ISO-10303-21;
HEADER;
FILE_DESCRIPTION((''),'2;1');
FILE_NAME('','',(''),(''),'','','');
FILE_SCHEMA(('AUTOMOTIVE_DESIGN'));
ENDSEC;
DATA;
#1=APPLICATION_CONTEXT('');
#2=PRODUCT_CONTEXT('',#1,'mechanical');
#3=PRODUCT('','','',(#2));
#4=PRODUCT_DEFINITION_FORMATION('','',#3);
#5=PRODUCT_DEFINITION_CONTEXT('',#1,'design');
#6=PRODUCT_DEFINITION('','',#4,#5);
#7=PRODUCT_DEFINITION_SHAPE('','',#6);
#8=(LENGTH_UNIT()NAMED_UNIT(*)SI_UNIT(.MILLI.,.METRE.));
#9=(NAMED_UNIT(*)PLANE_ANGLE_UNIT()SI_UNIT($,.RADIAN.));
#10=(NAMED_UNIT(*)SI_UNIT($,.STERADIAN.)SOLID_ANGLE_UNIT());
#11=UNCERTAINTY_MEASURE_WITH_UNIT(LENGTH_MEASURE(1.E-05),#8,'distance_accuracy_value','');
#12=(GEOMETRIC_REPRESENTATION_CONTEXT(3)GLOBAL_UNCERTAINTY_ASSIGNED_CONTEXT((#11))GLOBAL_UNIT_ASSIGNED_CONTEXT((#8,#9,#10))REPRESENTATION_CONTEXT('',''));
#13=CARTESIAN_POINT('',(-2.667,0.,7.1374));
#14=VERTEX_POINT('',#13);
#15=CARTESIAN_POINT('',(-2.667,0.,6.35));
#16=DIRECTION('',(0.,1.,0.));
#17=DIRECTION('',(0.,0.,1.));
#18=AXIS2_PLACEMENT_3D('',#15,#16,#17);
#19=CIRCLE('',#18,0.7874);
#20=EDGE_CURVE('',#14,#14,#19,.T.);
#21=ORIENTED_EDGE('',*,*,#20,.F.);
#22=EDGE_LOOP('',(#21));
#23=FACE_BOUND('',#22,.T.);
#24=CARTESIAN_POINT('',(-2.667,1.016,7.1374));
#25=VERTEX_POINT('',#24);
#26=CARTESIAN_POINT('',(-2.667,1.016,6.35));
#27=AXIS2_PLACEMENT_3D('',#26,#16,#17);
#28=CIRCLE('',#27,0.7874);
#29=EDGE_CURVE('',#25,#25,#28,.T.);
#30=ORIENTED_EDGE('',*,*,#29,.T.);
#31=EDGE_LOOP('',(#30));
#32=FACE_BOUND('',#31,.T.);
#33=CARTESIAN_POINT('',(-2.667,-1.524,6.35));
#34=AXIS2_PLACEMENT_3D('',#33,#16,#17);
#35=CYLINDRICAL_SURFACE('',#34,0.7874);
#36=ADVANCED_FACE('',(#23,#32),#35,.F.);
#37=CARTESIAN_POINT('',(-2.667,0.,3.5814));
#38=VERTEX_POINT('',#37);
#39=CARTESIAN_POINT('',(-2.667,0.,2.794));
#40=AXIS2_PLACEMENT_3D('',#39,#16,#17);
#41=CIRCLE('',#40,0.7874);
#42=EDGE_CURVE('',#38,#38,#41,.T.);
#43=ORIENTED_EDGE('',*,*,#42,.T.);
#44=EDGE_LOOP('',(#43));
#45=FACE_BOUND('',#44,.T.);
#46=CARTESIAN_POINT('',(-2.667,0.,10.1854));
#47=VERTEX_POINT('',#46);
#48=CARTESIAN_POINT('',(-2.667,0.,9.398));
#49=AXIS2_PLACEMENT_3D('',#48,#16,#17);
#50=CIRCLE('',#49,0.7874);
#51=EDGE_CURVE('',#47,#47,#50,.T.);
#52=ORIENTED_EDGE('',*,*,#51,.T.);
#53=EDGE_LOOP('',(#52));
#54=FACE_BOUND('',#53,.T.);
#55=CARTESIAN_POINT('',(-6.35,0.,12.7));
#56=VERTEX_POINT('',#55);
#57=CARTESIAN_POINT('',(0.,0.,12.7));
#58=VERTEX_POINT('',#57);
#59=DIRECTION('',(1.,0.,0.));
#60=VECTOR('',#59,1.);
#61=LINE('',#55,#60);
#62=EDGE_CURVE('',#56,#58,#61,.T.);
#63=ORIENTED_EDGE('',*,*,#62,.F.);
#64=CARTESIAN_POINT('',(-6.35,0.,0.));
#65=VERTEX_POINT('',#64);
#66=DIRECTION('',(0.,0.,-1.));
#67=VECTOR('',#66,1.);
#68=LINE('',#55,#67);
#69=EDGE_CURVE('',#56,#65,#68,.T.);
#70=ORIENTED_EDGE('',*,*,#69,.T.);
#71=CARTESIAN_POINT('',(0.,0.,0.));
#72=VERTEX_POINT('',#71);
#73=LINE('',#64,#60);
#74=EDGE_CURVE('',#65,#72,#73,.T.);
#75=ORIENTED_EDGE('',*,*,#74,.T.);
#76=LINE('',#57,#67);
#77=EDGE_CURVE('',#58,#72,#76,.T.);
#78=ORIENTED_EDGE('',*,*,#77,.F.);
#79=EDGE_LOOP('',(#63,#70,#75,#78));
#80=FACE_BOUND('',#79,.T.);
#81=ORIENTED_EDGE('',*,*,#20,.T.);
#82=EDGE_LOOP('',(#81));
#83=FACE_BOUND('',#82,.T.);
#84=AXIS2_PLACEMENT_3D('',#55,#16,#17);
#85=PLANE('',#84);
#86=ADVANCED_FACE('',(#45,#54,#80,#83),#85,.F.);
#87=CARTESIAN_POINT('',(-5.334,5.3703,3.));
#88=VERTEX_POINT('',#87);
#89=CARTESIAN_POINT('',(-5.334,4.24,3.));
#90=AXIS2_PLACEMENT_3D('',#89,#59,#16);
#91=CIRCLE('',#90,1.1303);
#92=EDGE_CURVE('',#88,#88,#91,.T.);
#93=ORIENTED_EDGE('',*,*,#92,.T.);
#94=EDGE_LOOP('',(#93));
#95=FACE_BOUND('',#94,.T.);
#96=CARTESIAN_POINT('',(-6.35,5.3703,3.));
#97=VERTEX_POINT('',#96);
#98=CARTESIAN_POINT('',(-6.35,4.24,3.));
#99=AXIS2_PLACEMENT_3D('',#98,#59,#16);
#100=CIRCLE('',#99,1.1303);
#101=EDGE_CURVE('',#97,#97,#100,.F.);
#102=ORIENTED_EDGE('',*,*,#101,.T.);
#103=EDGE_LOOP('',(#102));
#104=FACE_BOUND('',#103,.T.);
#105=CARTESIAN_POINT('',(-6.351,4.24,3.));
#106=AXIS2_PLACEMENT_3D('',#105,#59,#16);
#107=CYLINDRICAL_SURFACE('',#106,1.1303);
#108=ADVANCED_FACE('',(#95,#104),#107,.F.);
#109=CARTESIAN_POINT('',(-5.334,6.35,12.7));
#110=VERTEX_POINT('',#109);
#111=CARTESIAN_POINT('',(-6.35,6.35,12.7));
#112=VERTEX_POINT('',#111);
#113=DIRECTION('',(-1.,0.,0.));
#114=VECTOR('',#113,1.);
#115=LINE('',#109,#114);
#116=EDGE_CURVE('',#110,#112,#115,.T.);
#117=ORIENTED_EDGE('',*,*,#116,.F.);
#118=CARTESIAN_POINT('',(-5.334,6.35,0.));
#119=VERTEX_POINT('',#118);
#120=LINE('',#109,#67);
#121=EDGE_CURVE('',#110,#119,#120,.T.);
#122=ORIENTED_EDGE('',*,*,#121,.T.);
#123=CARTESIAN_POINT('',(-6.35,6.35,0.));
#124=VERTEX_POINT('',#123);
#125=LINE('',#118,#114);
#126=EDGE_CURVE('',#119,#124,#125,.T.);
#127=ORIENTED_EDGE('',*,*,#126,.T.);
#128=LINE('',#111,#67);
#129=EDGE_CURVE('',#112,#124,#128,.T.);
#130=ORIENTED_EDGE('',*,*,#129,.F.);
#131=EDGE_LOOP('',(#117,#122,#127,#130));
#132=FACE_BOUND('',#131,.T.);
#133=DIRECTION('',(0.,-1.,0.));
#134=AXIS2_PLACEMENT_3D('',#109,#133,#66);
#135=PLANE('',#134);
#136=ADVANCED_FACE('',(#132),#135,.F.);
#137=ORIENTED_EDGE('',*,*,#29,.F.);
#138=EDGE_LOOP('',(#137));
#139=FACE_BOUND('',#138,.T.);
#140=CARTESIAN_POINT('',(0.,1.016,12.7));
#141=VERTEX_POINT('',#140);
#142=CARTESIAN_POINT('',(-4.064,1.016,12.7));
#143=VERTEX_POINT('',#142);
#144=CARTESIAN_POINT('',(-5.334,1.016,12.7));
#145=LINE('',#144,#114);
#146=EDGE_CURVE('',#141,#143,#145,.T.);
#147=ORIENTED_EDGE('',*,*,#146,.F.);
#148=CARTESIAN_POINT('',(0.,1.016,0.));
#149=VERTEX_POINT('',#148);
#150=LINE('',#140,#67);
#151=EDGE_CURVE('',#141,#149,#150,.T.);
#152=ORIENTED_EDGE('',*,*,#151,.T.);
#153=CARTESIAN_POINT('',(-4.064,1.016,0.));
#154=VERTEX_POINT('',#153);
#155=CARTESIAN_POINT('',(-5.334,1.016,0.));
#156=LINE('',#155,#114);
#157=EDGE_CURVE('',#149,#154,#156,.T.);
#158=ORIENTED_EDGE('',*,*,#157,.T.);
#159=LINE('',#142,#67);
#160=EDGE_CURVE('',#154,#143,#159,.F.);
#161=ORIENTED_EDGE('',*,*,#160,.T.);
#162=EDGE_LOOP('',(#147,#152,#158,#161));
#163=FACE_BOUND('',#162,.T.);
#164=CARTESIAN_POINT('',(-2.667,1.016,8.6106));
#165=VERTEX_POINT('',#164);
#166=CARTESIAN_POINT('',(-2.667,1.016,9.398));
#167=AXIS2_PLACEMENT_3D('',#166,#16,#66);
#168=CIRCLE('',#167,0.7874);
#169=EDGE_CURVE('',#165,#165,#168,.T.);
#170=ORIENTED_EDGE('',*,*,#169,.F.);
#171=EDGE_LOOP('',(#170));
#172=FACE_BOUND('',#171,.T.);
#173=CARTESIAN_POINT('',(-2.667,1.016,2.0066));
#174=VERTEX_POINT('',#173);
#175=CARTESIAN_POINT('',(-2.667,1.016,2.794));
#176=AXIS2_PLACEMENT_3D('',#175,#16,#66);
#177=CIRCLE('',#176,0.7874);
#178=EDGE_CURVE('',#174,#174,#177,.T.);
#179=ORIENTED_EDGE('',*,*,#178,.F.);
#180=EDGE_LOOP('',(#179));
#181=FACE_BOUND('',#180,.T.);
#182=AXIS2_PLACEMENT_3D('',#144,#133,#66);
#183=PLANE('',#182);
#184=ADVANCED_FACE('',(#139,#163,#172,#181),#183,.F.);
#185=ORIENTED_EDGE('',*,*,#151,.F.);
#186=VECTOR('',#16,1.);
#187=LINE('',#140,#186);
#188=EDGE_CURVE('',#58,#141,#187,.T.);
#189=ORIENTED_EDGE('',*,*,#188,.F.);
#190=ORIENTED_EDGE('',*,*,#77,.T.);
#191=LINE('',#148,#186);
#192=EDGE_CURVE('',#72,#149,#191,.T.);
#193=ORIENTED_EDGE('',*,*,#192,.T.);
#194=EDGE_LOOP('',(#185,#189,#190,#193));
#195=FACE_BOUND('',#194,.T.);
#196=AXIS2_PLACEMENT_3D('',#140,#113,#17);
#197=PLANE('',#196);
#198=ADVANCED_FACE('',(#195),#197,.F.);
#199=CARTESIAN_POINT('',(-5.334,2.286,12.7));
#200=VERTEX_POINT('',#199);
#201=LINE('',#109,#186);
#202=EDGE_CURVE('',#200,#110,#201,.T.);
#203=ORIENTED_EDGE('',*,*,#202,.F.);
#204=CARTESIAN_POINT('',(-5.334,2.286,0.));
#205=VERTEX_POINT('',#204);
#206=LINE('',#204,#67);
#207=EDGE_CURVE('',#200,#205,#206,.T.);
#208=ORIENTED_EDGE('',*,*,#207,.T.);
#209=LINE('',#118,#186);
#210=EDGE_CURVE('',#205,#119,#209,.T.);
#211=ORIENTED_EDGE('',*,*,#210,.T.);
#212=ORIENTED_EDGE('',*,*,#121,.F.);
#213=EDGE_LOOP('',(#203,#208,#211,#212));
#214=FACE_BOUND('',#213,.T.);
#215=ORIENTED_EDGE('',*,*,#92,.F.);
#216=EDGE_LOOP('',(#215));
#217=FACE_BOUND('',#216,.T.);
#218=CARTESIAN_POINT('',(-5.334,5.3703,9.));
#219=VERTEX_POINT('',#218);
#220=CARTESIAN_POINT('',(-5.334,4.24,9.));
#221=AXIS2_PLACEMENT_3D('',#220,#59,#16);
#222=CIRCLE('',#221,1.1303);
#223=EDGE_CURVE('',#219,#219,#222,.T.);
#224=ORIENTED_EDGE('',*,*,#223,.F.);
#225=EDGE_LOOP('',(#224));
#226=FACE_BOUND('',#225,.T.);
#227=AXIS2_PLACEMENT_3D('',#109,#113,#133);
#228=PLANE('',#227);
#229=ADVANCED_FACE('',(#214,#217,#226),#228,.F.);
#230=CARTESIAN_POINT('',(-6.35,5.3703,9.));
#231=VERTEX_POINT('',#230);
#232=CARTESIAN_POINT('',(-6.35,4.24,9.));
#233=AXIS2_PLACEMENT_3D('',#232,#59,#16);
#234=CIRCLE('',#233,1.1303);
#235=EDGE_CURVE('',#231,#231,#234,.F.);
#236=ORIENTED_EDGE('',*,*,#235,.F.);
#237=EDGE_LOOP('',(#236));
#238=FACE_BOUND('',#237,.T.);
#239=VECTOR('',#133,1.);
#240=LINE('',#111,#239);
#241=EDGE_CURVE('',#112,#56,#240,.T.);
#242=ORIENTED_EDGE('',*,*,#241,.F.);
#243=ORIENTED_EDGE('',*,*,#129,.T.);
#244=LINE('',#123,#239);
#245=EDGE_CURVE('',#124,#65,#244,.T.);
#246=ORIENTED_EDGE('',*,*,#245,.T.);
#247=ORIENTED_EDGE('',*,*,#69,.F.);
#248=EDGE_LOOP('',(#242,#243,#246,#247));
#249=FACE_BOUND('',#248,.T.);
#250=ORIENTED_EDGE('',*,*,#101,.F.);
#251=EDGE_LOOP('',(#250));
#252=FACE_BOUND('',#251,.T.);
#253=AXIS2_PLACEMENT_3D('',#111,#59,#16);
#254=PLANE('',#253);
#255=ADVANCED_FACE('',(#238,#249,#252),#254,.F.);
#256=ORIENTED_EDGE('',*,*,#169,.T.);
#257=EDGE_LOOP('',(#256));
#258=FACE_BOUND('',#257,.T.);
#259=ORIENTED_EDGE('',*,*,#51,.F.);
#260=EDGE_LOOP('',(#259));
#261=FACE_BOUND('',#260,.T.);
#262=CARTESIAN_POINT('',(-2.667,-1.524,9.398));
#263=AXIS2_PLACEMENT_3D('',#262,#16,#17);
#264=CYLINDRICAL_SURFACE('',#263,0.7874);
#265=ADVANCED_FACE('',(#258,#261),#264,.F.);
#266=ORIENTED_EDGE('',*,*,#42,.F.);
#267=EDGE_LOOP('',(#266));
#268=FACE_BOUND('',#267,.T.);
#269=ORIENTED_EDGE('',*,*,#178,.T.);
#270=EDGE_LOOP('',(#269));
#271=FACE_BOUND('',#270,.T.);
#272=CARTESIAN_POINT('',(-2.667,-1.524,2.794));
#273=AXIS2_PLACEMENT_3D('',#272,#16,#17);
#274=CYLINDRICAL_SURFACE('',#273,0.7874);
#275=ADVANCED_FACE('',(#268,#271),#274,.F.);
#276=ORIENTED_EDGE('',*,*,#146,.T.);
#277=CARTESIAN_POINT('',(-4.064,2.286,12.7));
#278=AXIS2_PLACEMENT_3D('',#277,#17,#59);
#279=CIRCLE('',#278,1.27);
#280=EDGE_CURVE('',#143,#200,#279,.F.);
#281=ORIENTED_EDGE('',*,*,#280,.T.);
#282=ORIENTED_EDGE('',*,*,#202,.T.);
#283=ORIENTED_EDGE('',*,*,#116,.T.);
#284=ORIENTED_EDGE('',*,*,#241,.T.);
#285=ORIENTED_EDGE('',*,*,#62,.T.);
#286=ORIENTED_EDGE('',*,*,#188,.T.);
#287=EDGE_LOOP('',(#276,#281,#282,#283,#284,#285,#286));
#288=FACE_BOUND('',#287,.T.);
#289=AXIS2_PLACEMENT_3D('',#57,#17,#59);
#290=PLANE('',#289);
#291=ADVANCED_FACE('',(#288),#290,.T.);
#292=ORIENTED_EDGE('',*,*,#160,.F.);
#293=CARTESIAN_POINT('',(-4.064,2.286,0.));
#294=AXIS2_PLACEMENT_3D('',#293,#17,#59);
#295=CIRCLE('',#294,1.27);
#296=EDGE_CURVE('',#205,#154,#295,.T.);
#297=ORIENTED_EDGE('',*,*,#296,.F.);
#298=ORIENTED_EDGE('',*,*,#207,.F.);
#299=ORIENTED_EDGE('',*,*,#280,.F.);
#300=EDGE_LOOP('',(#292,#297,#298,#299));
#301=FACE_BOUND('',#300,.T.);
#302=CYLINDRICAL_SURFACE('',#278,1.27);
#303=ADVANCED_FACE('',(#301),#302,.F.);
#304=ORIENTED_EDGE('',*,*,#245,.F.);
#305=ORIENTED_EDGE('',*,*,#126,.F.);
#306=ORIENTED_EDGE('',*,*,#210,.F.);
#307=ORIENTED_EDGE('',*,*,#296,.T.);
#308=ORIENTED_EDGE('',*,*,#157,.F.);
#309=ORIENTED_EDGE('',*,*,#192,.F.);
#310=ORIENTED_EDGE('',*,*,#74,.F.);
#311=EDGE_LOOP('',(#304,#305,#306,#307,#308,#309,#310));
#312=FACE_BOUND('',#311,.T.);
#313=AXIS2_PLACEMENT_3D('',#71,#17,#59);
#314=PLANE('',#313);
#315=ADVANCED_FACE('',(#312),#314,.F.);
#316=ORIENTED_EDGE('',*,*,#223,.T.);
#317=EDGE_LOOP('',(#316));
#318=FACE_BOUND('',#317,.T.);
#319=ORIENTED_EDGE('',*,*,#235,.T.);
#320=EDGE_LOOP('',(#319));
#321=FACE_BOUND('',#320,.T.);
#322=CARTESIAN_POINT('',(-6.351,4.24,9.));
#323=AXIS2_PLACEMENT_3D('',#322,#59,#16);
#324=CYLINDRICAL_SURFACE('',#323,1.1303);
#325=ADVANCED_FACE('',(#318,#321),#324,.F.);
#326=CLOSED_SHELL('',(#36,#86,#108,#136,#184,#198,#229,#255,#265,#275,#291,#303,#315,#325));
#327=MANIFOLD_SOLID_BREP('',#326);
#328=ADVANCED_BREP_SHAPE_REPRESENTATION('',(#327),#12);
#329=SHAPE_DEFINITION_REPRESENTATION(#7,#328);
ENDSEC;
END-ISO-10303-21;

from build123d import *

# Parameters (mm, degrees)
BOSS_EXTRUDE1_DEPTH = 12.7
SKETCH3_R           = 0.7874
CUT_EXTRUDE1_DEPTH  = 2.54
FILLET1_R           = 1.27
CUT_EXTRUDE2_REACH  = 3.016
SKETCH4_R           = 1.1303


with BuildPart() as part:
    # Sketch1 → Boss-Extrude1 (new body)
    with BuildSketch(Plane.XY):
        Polygon((-6.35, 6.35), (-6.35, 0), (0, 0), (0, 1.016), (-5.334, 1.016), (-5.334, 6.35), align=None)
    extrude(amount=BOSS_EXTRUDE1_DEPTH)

    # Sketch3 → Cut-Extrude1 (cut)
    with BuildSketch(Plane(origin=(0, 1.016, 0), x_dir=(1, 0, 0), z_dir=(0, 1, 0))):
        with Locations((-2.667, -6.35)):
            Circle(SKETCH3_R)
        with Locations((-2.667, -9.398)):
            Circle(SKETCH3_R)
        with Locations((-2.667, -2.794)):
            Circle(SKETCH3_R)
    extrude(amount=-CUT_EXTRUDE1_DEPTH, mode=Mode.SUBTRACT)

    # Fillet1
    fillet1_edges = [part.edges().sort_by_distance(p)[0] for p in [
        (-5.334, 1.016, 6.35),
    ]]
    fillet(fillet1_edges, radius=FILLET1_R)

    # Sketch4 → Cut-Extrude2 (cut, up to next)
    with BuildSketch(Plane(origin=(-5.334, 0, 0), x_dir=(0, 0, -1), z_dir=(1, 0, 0)), mode=Mode.PRIVATE) as cut_extrude2_sk1:
        with Locations((-9, 4.24)):
            Circle(SKETCH4_R)
    cut_extrude2_tool1 = extrude(cut_extrude2_sk1.sketch, amount=-CUT_EXTRUDE2_REACH, mode=Mode.PRIVATE) & part.part
    add(cut_extrude2_tool1.solids().sort_by_distance((-5.334, 4.24, 9))[0], mode=Mode.SUBTRACT)
    # Sketch4 → Cut-Extrude2 (cut, up to next)
    with BuildSketch(Plane(origin=(-5.334, 0, 0), x_dir=(0, 0, -1), z_dir=(1, 0, 0)), mode=Mode.PRIVATE) as cut_extrude2_sk2:
        with Locations((-3, 4.24)):
            Circle(SKETCH4_R)
    cut_extrude2_tool2 = extrude(cut_extrude2_sk2.sketch, amount=-CUT_EXTRUDE2_REACH, mode=Mode.PRIVATE) & part.part
    add(cut_extrude2_tool2.solids().sort_by_distance((-5.334, 4.24, 3))[0], mode=Mode.SUBTRACT)


solid = part.part
